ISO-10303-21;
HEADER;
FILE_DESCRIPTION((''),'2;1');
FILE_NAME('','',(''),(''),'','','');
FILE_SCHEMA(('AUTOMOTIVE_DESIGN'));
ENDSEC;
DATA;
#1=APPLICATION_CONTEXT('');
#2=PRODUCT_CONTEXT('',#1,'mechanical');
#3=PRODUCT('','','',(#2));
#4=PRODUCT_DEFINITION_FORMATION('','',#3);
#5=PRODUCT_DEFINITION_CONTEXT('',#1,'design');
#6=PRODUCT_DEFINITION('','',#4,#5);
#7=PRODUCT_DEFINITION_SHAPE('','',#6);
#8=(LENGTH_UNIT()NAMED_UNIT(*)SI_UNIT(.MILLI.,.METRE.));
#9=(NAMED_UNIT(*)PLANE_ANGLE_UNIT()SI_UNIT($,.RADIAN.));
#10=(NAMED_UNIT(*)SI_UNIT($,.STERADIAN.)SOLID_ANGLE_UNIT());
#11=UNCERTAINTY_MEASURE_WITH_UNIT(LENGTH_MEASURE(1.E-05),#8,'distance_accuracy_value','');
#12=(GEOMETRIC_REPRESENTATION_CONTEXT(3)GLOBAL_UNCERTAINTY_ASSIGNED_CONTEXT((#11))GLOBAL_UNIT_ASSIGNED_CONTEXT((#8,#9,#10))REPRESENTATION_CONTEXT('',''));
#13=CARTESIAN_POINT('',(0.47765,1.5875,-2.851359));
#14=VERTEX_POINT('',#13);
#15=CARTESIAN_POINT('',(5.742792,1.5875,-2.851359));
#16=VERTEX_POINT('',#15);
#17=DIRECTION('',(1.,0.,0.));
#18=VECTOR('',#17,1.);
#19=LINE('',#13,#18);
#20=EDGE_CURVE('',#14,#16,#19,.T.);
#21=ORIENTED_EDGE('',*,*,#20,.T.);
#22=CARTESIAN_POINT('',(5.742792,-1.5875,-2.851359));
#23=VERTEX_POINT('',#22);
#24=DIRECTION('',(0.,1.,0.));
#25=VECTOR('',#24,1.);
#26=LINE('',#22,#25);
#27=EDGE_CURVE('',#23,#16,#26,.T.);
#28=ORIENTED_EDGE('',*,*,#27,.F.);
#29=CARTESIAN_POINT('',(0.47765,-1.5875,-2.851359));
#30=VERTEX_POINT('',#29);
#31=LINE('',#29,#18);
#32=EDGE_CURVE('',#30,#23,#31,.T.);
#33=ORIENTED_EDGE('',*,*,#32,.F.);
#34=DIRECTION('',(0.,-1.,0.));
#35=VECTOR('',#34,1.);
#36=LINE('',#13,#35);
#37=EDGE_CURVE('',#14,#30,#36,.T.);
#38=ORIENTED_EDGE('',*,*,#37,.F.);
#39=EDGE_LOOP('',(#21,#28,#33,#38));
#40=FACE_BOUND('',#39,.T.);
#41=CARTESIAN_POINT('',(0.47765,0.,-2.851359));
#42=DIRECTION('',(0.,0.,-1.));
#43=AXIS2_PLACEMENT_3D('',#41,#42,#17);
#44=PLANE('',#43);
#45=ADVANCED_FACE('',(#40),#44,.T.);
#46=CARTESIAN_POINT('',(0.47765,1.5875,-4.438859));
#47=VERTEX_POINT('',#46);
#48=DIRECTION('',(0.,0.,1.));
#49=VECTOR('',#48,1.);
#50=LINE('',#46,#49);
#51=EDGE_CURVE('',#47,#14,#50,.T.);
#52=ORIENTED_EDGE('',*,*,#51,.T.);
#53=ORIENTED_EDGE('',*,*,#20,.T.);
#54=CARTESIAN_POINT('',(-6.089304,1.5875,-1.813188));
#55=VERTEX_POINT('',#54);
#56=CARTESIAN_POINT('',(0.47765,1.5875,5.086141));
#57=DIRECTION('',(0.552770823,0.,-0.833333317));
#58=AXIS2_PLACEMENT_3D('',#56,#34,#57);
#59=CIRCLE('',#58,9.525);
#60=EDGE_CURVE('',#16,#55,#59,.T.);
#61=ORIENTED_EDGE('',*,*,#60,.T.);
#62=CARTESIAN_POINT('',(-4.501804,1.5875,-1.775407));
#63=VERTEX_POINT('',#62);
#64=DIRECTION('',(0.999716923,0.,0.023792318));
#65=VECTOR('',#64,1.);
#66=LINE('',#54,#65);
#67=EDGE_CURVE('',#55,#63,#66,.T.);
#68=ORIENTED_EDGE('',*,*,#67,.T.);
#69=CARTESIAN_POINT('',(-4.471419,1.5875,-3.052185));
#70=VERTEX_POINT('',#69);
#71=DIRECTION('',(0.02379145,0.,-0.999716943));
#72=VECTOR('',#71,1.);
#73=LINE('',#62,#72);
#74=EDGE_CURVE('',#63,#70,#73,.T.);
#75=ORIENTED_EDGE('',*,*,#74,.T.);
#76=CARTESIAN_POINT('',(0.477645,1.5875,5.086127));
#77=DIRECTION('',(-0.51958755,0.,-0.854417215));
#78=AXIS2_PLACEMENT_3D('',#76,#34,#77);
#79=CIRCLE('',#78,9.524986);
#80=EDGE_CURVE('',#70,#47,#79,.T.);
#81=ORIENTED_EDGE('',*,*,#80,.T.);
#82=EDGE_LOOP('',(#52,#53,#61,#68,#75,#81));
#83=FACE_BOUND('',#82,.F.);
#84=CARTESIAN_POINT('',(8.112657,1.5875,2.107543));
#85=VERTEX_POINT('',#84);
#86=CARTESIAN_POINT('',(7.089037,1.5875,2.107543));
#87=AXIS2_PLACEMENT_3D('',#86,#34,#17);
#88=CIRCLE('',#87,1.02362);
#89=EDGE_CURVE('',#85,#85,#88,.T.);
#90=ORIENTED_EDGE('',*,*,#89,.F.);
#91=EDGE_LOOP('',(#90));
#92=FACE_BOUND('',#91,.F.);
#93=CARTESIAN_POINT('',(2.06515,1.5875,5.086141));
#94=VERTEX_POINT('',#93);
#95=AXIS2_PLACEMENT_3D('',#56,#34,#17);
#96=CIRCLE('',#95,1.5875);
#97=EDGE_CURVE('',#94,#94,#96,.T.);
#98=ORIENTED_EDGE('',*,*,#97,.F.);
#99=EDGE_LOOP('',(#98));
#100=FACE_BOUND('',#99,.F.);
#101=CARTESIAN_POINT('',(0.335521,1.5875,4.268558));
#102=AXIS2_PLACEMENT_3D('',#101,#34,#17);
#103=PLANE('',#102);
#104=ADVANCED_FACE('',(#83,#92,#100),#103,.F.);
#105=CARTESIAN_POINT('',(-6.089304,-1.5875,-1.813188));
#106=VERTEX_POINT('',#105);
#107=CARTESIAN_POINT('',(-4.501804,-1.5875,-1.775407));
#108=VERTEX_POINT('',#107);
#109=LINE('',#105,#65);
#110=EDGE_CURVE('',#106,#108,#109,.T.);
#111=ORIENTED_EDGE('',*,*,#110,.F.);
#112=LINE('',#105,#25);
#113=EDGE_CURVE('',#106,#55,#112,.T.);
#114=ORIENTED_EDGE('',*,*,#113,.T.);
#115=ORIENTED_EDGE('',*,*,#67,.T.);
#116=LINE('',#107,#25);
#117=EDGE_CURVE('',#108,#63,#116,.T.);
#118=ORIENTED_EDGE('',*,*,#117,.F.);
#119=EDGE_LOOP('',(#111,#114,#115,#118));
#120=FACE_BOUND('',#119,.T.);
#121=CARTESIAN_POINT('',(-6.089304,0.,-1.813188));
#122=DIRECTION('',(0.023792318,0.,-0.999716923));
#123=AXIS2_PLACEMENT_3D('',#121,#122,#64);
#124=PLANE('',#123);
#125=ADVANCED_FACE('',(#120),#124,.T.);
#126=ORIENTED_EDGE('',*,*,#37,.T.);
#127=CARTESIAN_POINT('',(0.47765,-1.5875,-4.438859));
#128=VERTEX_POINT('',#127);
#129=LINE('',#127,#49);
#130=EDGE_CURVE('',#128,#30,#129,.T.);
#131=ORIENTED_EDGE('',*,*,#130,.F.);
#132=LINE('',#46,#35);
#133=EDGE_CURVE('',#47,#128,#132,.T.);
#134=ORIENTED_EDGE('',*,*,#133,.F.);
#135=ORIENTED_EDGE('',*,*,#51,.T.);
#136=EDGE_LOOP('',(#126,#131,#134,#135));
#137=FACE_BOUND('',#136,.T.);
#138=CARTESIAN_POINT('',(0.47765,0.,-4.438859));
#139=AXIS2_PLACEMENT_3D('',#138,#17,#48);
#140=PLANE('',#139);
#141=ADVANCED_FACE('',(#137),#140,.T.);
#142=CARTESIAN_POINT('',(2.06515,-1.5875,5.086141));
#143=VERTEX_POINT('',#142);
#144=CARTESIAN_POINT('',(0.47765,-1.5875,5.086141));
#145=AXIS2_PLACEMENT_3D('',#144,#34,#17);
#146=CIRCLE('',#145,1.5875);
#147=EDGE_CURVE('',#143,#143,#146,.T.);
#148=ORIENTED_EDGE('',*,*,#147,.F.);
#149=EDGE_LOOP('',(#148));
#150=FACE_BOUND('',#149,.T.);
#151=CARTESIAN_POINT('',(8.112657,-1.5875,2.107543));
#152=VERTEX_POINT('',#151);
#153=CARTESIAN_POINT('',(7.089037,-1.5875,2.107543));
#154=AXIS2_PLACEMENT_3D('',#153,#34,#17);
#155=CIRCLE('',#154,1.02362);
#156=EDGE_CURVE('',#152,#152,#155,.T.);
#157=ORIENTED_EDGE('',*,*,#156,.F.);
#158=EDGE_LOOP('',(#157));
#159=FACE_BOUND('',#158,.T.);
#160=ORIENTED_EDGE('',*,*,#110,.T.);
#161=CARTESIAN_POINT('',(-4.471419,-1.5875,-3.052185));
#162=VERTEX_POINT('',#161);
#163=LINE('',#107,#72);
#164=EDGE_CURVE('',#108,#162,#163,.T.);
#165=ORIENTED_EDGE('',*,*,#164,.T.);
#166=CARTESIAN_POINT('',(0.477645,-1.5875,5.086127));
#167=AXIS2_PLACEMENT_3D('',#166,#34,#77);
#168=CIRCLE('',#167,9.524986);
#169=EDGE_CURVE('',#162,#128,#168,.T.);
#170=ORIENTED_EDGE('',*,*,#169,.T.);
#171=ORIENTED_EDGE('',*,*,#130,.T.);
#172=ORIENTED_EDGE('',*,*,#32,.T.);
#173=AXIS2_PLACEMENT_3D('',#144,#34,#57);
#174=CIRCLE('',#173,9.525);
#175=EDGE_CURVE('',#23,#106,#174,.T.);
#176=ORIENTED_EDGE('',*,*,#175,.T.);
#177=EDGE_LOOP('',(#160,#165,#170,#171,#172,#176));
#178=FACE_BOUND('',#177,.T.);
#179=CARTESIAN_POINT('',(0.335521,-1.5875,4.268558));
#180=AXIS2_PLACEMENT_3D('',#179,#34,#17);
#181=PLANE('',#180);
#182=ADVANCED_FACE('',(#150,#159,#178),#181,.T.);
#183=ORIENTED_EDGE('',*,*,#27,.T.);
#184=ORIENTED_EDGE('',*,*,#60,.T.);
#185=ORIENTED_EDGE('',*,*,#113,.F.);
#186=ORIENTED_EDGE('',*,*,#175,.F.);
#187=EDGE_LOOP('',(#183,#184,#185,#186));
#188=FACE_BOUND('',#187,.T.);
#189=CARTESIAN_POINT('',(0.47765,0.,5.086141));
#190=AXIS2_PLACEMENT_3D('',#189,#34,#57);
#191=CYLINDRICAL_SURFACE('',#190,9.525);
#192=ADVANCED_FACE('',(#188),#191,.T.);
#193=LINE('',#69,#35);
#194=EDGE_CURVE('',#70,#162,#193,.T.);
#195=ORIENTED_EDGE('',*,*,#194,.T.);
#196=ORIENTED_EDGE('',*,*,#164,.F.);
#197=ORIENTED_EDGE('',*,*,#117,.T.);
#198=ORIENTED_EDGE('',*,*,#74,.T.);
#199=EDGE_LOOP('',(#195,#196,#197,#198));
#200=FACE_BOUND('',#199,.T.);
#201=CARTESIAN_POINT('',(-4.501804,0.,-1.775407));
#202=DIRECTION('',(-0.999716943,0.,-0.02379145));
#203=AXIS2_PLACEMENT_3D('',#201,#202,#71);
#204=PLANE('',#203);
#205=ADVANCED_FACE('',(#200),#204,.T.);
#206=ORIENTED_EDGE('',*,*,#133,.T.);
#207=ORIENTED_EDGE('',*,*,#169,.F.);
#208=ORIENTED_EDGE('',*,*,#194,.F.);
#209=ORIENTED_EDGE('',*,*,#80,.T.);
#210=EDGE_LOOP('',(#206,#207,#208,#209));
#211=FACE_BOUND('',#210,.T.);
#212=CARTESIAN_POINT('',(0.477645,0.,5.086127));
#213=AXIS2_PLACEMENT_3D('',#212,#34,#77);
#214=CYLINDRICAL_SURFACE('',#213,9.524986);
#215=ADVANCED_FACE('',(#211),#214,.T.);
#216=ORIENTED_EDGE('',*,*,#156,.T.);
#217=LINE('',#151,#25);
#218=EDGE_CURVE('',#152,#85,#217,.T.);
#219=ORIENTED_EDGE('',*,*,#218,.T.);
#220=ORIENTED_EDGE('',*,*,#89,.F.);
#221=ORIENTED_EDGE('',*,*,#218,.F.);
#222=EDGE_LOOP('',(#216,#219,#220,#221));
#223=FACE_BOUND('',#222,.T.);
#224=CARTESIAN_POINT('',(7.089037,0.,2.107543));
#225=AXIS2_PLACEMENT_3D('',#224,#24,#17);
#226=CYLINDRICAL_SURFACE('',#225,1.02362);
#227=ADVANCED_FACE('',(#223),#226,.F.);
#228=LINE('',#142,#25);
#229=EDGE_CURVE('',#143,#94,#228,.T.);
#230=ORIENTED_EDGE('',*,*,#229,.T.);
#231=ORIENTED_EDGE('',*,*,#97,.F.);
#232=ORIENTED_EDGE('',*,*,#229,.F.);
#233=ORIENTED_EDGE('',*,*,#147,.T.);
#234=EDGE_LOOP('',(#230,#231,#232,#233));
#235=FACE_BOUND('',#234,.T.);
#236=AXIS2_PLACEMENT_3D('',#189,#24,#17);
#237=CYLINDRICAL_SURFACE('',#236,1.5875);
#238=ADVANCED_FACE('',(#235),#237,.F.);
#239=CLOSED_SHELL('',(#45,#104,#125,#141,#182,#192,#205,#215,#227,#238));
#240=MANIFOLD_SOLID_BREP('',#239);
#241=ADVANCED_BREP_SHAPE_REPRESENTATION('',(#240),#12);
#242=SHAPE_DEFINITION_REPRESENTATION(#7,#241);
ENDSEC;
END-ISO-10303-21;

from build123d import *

# Parameters (mm, degrees)
F0_R     = 1.02362
F0_R_2   = 1.5875
F1_DEPTH = 1.5875


with BuildPart() as f1:
    # F0 (on Front) → F1 (new body, symmetric)
    with BuildSketch(Plane.XZ):
        with BuildLine():
            Line((-4.501804, -1.775407), (-4.471419, -3.052185))
            ThreePointArc((-4.471419, -3.052185), (-2.092182, -4.085642), (0.47765, -4.438859))
            Line((0.47765, -4.438859), (0.47765, -2.851359))
            Line((0.47765, -2.851359), (5.742792, -2.851359))
            ThreePointArc((5.742792, -2.851359), (1.310194, 14.574686), (-6.089304, -1.813188))
            Line((-6.089304, -1.813188), (-4.501804, -1.775407))
        make_face()
        with Locations((7.089037, 2.107543)):
            Circle(F0_R, mode=Mode.SUBTRACT)
        with Locations((0.47765, 5.086141)):
            Circle(F0_R_2, mode=Mode.SUBTRACT)
    extrude(amount=F1_DEPTH, both=True)


solid = f1.part
